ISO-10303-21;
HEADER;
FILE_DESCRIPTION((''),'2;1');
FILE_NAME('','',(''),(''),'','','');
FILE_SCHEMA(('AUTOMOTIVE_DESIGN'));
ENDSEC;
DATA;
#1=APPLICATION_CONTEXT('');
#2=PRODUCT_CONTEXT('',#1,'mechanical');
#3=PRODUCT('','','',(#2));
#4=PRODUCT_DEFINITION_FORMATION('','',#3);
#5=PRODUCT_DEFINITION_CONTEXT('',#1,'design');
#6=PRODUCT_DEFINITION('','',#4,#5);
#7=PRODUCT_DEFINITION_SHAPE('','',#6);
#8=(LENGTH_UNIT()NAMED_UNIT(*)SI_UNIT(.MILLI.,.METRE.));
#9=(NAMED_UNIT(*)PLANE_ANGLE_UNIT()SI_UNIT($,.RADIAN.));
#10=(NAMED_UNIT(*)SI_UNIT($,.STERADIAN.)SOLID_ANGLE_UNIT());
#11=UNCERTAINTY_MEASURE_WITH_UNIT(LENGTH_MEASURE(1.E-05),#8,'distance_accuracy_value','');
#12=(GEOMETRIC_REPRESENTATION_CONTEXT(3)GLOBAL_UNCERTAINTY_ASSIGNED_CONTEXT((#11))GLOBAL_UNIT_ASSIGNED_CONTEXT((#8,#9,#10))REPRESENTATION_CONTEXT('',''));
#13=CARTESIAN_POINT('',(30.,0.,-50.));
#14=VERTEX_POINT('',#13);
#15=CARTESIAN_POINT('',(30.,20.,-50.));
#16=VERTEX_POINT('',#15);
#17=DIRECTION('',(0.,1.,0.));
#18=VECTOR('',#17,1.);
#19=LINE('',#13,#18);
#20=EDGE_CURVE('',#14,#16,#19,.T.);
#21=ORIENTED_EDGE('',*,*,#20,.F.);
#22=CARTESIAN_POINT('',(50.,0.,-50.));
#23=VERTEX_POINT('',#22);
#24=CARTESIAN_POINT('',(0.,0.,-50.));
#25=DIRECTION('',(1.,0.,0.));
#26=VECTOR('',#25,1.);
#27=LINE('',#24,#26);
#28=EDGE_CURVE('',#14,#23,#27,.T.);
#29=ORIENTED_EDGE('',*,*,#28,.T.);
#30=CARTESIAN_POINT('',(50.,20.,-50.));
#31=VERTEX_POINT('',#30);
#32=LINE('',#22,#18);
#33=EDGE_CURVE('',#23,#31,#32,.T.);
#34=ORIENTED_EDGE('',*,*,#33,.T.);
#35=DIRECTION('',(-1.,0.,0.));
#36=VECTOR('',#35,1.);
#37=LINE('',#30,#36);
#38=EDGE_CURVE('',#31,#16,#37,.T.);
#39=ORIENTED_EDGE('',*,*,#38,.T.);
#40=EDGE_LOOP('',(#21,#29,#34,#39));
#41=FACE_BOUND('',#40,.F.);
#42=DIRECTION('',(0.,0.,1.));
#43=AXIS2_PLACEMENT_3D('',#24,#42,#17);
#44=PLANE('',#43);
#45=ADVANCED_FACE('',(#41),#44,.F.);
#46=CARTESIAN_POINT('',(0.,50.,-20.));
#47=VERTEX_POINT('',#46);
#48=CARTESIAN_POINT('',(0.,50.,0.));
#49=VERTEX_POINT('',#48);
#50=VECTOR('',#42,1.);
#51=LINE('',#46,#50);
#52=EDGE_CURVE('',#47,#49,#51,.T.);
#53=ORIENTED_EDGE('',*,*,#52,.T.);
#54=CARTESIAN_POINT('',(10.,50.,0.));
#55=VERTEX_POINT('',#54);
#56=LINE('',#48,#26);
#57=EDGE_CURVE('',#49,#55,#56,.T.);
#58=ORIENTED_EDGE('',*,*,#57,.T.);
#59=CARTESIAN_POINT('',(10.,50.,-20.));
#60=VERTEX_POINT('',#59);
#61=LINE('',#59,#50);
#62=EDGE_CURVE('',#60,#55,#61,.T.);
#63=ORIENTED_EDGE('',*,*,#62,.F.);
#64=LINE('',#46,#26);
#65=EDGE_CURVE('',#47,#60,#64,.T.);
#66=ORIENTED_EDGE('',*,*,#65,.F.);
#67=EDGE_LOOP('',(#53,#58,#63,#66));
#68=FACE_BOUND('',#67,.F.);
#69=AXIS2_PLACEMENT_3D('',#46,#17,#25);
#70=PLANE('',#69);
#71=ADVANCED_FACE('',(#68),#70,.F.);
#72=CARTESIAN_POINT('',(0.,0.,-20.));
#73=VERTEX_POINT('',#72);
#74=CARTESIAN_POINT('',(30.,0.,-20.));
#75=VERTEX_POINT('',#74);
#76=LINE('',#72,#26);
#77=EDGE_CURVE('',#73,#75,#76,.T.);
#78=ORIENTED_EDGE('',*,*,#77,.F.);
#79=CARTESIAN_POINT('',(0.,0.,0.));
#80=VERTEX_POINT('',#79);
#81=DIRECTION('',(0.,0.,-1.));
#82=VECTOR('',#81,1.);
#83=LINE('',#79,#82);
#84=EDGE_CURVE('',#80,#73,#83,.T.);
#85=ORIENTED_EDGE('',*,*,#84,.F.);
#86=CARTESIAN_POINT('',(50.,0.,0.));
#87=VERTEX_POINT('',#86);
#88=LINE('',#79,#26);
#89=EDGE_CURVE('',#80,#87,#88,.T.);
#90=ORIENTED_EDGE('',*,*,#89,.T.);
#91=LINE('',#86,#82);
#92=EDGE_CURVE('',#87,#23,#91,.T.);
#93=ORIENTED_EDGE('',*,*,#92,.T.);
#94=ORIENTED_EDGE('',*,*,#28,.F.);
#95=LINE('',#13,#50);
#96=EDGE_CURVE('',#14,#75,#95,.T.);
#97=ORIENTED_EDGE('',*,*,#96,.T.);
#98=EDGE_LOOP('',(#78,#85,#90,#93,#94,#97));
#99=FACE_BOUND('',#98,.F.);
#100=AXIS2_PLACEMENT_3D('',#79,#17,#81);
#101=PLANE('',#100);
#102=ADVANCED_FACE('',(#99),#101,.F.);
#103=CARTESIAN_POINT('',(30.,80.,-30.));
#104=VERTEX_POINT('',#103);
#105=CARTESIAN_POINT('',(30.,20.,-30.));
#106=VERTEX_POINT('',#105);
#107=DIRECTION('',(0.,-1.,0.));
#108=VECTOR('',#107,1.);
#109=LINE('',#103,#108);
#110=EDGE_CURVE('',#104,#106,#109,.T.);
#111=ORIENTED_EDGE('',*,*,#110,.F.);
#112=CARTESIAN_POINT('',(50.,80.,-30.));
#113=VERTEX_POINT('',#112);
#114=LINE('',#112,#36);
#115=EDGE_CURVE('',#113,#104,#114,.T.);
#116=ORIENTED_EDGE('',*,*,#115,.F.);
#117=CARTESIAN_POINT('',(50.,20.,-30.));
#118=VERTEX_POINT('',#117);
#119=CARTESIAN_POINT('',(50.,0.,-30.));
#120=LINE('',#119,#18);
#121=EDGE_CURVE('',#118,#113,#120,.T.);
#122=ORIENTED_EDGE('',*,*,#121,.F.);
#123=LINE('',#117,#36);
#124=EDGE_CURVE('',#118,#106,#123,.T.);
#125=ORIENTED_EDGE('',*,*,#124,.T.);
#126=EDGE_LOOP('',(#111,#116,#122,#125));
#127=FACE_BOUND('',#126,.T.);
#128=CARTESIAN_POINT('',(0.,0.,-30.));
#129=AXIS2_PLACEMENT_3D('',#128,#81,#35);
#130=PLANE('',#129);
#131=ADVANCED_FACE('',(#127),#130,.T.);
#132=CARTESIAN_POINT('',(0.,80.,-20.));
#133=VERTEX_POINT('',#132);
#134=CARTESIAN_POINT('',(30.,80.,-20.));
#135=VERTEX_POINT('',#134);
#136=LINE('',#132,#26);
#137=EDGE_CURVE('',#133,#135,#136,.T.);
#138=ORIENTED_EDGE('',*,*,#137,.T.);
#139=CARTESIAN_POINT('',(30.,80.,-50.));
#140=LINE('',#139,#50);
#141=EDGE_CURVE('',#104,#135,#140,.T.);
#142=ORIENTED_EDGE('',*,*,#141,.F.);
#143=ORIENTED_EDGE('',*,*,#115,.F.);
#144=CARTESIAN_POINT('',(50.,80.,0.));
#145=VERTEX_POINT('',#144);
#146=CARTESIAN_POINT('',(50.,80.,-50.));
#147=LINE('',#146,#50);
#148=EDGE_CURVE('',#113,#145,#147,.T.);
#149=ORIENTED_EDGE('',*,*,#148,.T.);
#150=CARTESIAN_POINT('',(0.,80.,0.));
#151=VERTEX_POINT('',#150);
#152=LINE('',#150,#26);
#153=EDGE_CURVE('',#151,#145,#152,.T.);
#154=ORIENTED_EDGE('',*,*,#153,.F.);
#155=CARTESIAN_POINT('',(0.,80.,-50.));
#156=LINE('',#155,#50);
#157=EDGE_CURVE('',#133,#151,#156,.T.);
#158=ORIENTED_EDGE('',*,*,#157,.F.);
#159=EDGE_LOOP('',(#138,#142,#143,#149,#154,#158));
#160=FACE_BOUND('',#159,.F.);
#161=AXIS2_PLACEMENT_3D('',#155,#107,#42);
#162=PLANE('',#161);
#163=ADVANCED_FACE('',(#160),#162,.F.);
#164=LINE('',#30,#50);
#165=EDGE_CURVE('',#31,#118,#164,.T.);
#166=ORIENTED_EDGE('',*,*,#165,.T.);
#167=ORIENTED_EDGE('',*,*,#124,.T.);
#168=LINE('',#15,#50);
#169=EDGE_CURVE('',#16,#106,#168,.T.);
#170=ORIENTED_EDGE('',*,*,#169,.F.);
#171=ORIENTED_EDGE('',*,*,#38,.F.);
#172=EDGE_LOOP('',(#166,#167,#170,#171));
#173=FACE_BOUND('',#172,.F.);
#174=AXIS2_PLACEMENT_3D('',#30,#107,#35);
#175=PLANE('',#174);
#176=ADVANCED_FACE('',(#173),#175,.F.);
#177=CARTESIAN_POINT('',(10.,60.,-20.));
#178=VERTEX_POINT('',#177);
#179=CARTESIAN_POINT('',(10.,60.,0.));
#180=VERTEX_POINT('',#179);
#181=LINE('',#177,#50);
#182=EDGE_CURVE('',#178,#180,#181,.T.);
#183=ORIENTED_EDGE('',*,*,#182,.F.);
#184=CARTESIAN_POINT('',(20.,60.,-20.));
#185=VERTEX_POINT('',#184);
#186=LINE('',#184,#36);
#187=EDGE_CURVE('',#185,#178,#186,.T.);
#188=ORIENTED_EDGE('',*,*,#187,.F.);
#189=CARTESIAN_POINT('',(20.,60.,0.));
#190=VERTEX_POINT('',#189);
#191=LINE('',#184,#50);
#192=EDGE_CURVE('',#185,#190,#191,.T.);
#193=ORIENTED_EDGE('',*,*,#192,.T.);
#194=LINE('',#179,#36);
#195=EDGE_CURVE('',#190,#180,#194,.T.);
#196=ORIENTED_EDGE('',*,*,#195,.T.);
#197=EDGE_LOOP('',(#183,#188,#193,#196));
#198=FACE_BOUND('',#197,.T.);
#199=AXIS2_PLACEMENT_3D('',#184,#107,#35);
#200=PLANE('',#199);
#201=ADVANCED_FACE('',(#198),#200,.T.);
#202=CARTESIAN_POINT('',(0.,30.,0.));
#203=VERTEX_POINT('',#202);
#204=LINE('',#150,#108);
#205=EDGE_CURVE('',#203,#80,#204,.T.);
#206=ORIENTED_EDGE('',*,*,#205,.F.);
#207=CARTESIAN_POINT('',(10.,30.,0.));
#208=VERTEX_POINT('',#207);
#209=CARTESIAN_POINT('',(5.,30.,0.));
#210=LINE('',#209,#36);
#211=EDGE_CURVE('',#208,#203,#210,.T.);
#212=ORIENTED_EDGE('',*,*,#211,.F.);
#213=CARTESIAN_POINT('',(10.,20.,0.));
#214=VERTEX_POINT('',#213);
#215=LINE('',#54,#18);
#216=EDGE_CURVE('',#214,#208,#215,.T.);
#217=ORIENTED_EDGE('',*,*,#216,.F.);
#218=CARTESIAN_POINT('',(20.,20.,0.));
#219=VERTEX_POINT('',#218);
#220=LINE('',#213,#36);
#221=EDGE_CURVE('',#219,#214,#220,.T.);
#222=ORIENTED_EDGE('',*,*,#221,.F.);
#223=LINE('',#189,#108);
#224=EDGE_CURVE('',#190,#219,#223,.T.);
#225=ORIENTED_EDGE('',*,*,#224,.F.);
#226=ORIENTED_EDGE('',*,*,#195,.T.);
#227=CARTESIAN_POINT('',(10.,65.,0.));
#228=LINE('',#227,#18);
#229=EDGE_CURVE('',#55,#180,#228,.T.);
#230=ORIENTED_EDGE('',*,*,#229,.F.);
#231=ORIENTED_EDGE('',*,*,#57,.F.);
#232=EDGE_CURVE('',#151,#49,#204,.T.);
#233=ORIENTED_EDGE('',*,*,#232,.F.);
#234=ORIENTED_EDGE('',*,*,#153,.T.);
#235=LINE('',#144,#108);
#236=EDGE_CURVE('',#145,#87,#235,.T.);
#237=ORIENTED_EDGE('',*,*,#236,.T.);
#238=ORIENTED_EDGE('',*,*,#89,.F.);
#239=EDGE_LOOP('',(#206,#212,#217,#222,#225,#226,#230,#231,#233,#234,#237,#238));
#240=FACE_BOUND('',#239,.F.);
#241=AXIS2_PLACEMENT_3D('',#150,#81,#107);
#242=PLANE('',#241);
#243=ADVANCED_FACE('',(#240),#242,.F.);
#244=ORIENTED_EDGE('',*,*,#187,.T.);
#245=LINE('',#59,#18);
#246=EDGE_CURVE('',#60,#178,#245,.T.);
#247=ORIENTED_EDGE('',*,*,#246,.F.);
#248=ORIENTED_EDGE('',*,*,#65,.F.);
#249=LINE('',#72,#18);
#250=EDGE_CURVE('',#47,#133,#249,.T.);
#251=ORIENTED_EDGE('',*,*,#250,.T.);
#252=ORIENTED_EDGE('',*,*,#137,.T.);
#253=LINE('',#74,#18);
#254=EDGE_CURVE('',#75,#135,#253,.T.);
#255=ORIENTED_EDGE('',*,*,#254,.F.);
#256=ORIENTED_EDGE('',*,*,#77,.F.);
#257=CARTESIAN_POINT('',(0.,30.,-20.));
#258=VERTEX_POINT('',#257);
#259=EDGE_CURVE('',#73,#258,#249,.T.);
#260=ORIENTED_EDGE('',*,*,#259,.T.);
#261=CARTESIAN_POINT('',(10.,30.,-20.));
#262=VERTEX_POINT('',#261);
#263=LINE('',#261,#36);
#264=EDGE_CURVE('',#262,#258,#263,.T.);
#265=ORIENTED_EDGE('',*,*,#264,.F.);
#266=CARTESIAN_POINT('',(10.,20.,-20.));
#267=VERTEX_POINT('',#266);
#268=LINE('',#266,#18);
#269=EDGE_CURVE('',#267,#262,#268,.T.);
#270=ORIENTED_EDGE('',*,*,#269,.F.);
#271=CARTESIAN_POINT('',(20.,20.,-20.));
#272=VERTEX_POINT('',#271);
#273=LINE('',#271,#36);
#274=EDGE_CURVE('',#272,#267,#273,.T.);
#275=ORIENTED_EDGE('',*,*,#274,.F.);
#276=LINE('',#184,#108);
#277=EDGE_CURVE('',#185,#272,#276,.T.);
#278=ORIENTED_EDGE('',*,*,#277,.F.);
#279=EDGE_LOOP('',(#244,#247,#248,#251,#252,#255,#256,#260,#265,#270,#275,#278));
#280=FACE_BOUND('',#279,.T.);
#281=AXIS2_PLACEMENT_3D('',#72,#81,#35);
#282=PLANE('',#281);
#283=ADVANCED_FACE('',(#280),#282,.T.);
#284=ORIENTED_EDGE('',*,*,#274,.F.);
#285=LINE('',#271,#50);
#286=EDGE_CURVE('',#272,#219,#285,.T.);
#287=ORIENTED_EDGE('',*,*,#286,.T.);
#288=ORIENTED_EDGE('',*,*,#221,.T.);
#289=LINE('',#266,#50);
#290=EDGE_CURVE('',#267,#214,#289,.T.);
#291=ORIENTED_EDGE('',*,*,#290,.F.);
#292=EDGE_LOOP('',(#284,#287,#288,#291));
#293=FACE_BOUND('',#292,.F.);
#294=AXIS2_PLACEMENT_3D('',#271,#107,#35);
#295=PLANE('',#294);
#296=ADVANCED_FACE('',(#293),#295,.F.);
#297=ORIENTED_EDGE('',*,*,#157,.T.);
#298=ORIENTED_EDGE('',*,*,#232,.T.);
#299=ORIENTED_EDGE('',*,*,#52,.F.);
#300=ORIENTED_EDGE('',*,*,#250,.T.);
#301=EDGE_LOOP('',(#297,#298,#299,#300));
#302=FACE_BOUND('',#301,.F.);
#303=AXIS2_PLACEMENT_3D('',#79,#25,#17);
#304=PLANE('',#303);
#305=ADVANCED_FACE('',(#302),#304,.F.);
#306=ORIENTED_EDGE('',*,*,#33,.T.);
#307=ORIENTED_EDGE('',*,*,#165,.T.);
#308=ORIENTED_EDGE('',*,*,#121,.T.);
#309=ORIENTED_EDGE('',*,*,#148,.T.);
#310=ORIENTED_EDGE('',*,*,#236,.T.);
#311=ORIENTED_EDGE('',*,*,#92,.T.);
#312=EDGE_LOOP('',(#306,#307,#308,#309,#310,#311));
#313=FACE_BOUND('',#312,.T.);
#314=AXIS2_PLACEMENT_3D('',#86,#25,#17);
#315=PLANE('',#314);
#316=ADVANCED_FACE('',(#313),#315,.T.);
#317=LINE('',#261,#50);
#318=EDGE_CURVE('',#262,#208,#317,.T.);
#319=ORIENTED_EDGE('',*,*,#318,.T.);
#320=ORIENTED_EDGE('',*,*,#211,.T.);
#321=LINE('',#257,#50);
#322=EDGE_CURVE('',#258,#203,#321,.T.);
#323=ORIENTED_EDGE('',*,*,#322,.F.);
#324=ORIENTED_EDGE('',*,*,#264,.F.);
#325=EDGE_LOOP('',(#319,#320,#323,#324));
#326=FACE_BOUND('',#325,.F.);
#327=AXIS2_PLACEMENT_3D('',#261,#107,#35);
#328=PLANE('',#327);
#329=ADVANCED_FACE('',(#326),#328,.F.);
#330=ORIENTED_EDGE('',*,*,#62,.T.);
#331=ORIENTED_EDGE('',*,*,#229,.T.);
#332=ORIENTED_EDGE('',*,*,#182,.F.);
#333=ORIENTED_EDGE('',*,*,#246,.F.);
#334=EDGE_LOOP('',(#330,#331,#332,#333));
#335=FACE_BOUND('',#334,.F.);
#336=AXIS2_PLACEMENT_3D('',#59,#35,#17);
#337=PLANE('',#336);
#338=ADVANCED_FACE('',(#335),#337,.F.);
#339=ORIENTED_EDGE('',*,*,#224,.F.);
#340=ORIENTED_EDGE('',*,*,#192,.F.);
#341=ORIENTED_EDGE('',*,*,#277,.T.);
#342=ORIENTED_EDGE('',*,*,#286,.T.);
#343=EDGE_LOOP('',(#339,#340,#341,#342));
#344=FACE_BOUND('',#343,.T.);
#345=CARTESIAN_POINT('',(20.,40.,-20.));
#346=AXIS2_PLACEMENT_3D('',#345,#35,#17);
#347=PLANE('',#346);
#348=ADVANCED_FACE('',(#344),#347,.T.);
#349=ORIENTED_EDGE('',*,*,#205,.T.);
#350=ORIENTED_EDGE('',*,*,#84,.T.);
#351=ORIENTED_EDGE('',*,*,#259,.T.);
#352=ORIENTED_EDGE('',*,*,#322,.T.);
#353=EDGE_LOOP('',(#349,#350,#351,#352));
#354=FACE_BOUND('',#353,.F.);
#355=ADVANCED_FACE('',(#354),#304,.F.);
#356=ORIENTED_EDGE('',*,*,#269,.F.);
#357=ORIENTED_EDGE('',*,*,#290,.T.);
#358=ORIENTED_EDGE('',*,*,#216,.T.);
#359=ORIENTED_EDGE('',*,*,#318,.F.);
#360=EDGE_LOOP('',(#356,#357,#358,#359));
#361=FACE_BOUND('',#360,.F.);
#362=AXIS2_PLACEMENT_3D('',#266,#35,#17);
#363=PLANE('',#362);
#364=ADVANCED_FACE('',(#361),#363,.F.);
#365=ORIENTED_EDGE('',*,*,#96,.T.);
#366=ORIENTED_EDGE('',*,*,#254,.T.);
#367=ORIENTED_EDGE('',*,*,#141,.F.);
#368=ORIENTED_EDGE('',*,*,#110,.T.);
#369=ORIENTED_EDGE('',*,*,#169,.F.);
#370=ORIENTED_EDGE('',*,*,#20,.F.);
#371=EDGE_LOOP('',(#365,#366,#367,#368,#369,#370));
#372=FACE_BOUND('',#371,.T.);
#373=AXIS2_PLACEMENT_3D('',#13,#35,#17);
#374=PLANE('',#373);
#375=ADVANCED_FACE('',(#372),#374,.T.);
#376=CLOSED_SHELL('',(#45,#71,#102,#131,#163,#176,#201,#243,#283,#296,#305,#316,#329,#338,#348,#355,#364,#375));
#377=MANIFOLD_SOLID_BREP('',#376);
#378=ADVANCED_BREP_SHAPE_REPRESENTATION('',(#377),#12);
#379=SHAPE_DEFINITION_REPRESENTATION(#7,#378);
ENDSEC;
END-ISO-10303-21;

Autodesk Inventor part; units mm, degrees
ref_plane "YZ Plane" through (0, 0, 0) normal (1, 0, 0) x (0, 1, 0)
ref_plane "XZ Plane" through (0, 0, 0) normal (0, 1, 0) x (-1, 0, 0)
ref_plane "XY Plane" through (0, 0, 0) normal (0, 0, 1) x (1, 0, 0)
sketch "Náčrt1" plane through (0, 0, 0) normal (1, 0, 0) x (0, 1, 0)
  line L0 (0, 0) -> (0, -50)
  line L1 (0, -50) -> (80, -50)
  line L2 (80, -50) -> (80, 0)
  line L3 (80, 0) -> (0, 0)
  dimension "d0" = 50
  dimension "d1" = 80
extrude "Vysunutí1" add sketch "Náčrt1" along normal blind 50
sketch "Náčrt2" plane through (0, 0, -50) normal (0, 0, -1) x (-1, 0, 0)
  line L0 (-50, 0) -> (-50, 80) projected
  line L1 (-50, 0) -> (-50, 20)
  line L2 (-50, 20) -> (-30, 20)
  line L3 (-30, 20) -> (-30, 0)
  line L4 (0, 0) -> (-50, 0) projected
  line L5 (-30, 0) -> (-50, 0)
  line L6 (-50, 0) -> (-50, 80)
  line L7 (-50, 80) -> (-30, 80)
  line L8 (0, 80) -> (-50, 80) projected
  line L9 (-30, 80) -> (-30, 20)
  dimension "d4" = 20
  dimension "d5" = 20
  dimension "d6" = 20
extrude "Vysunutí2" cut sketch "Náčrt2" against normal blind 20 contours L0 L7 L9 L2
sketch "Náčrt3" plane through (0, 0, -50) normal (0, 0, -1) x (-1, 0, 0)
  line L0 (0, 80) -> (-50, 80) projected
  line L1 (0, 0) -> (0, 80) projected
  line L2 (0, 80) -> (0, 0)
  line L3 (0, 0) -> (-30, 0)
  line L4 (0, 0) -> (-50, 0) projected
  line L5 (-30, 0) -> (-30, 80)
  dimension "d9" = 30
extrude "Vysunutí3" cut sketch "Náčrt3" against normal blind 30
sketch "Náčrt4" plane through (0, 0, -20) normal (0, 0, -1) x (-1, 0, 0)
  line L0 (0, 80) -> (0, 0) projected
  line L1 (0, 40) -> (0, 30)
  line L2 (0, 30) -> (0, 50)
  line L3 (0, 50) -> (-10, 50)
  line L4 (0, 40) -> (-20, 40)
  line L5 (-20, 40) -> (-20, 60)
  line L6 (-20, 60) -> (-10, 60)
  line L7 (-10, 50) -> (-10, 60)
  line L8 (0, 30) -> (-10, 30)
  dimension "d12" = 10
  dimension "d13" = 20
  dimension "d14" = 10
  dimension "d15" = 20
  dimension "d16" = 20
  dimension "d17" = 10
extrude "Vysunutí4" cut sketch "Náčrt4" against normal blind 30
sketch "Náčrt5" plane through (0, 0, -20) normal (0, 0, -1) x (-1, 0, 0)
  line L0 (0, 40) -> (0, 0) projected
  line L1 (-20, 40) -> (-20, 60) projected
  line L2 (0, 40) -> (-20, 40)
  line L3 (-20, 40) -> (-20, 20)
  line L4 (-20, 20) -> (-10, 20)
  line L5 (-10, 20) -> (-10, 30)
  line L6 (-10, 30) -> (0, 30)
  line L7 (0, 40) -> (0, 0) projected
  line L8 (0, 30) -> (0, 40)
  dimension "d20" = 20
  dimension "d21" = 10
  dimension "d22" = 10
extrude "Vysunutí5" cut sketch "Náčrt5" against normal blind 30
properties part number "Martin-Probst-26673_obrazek_2"
